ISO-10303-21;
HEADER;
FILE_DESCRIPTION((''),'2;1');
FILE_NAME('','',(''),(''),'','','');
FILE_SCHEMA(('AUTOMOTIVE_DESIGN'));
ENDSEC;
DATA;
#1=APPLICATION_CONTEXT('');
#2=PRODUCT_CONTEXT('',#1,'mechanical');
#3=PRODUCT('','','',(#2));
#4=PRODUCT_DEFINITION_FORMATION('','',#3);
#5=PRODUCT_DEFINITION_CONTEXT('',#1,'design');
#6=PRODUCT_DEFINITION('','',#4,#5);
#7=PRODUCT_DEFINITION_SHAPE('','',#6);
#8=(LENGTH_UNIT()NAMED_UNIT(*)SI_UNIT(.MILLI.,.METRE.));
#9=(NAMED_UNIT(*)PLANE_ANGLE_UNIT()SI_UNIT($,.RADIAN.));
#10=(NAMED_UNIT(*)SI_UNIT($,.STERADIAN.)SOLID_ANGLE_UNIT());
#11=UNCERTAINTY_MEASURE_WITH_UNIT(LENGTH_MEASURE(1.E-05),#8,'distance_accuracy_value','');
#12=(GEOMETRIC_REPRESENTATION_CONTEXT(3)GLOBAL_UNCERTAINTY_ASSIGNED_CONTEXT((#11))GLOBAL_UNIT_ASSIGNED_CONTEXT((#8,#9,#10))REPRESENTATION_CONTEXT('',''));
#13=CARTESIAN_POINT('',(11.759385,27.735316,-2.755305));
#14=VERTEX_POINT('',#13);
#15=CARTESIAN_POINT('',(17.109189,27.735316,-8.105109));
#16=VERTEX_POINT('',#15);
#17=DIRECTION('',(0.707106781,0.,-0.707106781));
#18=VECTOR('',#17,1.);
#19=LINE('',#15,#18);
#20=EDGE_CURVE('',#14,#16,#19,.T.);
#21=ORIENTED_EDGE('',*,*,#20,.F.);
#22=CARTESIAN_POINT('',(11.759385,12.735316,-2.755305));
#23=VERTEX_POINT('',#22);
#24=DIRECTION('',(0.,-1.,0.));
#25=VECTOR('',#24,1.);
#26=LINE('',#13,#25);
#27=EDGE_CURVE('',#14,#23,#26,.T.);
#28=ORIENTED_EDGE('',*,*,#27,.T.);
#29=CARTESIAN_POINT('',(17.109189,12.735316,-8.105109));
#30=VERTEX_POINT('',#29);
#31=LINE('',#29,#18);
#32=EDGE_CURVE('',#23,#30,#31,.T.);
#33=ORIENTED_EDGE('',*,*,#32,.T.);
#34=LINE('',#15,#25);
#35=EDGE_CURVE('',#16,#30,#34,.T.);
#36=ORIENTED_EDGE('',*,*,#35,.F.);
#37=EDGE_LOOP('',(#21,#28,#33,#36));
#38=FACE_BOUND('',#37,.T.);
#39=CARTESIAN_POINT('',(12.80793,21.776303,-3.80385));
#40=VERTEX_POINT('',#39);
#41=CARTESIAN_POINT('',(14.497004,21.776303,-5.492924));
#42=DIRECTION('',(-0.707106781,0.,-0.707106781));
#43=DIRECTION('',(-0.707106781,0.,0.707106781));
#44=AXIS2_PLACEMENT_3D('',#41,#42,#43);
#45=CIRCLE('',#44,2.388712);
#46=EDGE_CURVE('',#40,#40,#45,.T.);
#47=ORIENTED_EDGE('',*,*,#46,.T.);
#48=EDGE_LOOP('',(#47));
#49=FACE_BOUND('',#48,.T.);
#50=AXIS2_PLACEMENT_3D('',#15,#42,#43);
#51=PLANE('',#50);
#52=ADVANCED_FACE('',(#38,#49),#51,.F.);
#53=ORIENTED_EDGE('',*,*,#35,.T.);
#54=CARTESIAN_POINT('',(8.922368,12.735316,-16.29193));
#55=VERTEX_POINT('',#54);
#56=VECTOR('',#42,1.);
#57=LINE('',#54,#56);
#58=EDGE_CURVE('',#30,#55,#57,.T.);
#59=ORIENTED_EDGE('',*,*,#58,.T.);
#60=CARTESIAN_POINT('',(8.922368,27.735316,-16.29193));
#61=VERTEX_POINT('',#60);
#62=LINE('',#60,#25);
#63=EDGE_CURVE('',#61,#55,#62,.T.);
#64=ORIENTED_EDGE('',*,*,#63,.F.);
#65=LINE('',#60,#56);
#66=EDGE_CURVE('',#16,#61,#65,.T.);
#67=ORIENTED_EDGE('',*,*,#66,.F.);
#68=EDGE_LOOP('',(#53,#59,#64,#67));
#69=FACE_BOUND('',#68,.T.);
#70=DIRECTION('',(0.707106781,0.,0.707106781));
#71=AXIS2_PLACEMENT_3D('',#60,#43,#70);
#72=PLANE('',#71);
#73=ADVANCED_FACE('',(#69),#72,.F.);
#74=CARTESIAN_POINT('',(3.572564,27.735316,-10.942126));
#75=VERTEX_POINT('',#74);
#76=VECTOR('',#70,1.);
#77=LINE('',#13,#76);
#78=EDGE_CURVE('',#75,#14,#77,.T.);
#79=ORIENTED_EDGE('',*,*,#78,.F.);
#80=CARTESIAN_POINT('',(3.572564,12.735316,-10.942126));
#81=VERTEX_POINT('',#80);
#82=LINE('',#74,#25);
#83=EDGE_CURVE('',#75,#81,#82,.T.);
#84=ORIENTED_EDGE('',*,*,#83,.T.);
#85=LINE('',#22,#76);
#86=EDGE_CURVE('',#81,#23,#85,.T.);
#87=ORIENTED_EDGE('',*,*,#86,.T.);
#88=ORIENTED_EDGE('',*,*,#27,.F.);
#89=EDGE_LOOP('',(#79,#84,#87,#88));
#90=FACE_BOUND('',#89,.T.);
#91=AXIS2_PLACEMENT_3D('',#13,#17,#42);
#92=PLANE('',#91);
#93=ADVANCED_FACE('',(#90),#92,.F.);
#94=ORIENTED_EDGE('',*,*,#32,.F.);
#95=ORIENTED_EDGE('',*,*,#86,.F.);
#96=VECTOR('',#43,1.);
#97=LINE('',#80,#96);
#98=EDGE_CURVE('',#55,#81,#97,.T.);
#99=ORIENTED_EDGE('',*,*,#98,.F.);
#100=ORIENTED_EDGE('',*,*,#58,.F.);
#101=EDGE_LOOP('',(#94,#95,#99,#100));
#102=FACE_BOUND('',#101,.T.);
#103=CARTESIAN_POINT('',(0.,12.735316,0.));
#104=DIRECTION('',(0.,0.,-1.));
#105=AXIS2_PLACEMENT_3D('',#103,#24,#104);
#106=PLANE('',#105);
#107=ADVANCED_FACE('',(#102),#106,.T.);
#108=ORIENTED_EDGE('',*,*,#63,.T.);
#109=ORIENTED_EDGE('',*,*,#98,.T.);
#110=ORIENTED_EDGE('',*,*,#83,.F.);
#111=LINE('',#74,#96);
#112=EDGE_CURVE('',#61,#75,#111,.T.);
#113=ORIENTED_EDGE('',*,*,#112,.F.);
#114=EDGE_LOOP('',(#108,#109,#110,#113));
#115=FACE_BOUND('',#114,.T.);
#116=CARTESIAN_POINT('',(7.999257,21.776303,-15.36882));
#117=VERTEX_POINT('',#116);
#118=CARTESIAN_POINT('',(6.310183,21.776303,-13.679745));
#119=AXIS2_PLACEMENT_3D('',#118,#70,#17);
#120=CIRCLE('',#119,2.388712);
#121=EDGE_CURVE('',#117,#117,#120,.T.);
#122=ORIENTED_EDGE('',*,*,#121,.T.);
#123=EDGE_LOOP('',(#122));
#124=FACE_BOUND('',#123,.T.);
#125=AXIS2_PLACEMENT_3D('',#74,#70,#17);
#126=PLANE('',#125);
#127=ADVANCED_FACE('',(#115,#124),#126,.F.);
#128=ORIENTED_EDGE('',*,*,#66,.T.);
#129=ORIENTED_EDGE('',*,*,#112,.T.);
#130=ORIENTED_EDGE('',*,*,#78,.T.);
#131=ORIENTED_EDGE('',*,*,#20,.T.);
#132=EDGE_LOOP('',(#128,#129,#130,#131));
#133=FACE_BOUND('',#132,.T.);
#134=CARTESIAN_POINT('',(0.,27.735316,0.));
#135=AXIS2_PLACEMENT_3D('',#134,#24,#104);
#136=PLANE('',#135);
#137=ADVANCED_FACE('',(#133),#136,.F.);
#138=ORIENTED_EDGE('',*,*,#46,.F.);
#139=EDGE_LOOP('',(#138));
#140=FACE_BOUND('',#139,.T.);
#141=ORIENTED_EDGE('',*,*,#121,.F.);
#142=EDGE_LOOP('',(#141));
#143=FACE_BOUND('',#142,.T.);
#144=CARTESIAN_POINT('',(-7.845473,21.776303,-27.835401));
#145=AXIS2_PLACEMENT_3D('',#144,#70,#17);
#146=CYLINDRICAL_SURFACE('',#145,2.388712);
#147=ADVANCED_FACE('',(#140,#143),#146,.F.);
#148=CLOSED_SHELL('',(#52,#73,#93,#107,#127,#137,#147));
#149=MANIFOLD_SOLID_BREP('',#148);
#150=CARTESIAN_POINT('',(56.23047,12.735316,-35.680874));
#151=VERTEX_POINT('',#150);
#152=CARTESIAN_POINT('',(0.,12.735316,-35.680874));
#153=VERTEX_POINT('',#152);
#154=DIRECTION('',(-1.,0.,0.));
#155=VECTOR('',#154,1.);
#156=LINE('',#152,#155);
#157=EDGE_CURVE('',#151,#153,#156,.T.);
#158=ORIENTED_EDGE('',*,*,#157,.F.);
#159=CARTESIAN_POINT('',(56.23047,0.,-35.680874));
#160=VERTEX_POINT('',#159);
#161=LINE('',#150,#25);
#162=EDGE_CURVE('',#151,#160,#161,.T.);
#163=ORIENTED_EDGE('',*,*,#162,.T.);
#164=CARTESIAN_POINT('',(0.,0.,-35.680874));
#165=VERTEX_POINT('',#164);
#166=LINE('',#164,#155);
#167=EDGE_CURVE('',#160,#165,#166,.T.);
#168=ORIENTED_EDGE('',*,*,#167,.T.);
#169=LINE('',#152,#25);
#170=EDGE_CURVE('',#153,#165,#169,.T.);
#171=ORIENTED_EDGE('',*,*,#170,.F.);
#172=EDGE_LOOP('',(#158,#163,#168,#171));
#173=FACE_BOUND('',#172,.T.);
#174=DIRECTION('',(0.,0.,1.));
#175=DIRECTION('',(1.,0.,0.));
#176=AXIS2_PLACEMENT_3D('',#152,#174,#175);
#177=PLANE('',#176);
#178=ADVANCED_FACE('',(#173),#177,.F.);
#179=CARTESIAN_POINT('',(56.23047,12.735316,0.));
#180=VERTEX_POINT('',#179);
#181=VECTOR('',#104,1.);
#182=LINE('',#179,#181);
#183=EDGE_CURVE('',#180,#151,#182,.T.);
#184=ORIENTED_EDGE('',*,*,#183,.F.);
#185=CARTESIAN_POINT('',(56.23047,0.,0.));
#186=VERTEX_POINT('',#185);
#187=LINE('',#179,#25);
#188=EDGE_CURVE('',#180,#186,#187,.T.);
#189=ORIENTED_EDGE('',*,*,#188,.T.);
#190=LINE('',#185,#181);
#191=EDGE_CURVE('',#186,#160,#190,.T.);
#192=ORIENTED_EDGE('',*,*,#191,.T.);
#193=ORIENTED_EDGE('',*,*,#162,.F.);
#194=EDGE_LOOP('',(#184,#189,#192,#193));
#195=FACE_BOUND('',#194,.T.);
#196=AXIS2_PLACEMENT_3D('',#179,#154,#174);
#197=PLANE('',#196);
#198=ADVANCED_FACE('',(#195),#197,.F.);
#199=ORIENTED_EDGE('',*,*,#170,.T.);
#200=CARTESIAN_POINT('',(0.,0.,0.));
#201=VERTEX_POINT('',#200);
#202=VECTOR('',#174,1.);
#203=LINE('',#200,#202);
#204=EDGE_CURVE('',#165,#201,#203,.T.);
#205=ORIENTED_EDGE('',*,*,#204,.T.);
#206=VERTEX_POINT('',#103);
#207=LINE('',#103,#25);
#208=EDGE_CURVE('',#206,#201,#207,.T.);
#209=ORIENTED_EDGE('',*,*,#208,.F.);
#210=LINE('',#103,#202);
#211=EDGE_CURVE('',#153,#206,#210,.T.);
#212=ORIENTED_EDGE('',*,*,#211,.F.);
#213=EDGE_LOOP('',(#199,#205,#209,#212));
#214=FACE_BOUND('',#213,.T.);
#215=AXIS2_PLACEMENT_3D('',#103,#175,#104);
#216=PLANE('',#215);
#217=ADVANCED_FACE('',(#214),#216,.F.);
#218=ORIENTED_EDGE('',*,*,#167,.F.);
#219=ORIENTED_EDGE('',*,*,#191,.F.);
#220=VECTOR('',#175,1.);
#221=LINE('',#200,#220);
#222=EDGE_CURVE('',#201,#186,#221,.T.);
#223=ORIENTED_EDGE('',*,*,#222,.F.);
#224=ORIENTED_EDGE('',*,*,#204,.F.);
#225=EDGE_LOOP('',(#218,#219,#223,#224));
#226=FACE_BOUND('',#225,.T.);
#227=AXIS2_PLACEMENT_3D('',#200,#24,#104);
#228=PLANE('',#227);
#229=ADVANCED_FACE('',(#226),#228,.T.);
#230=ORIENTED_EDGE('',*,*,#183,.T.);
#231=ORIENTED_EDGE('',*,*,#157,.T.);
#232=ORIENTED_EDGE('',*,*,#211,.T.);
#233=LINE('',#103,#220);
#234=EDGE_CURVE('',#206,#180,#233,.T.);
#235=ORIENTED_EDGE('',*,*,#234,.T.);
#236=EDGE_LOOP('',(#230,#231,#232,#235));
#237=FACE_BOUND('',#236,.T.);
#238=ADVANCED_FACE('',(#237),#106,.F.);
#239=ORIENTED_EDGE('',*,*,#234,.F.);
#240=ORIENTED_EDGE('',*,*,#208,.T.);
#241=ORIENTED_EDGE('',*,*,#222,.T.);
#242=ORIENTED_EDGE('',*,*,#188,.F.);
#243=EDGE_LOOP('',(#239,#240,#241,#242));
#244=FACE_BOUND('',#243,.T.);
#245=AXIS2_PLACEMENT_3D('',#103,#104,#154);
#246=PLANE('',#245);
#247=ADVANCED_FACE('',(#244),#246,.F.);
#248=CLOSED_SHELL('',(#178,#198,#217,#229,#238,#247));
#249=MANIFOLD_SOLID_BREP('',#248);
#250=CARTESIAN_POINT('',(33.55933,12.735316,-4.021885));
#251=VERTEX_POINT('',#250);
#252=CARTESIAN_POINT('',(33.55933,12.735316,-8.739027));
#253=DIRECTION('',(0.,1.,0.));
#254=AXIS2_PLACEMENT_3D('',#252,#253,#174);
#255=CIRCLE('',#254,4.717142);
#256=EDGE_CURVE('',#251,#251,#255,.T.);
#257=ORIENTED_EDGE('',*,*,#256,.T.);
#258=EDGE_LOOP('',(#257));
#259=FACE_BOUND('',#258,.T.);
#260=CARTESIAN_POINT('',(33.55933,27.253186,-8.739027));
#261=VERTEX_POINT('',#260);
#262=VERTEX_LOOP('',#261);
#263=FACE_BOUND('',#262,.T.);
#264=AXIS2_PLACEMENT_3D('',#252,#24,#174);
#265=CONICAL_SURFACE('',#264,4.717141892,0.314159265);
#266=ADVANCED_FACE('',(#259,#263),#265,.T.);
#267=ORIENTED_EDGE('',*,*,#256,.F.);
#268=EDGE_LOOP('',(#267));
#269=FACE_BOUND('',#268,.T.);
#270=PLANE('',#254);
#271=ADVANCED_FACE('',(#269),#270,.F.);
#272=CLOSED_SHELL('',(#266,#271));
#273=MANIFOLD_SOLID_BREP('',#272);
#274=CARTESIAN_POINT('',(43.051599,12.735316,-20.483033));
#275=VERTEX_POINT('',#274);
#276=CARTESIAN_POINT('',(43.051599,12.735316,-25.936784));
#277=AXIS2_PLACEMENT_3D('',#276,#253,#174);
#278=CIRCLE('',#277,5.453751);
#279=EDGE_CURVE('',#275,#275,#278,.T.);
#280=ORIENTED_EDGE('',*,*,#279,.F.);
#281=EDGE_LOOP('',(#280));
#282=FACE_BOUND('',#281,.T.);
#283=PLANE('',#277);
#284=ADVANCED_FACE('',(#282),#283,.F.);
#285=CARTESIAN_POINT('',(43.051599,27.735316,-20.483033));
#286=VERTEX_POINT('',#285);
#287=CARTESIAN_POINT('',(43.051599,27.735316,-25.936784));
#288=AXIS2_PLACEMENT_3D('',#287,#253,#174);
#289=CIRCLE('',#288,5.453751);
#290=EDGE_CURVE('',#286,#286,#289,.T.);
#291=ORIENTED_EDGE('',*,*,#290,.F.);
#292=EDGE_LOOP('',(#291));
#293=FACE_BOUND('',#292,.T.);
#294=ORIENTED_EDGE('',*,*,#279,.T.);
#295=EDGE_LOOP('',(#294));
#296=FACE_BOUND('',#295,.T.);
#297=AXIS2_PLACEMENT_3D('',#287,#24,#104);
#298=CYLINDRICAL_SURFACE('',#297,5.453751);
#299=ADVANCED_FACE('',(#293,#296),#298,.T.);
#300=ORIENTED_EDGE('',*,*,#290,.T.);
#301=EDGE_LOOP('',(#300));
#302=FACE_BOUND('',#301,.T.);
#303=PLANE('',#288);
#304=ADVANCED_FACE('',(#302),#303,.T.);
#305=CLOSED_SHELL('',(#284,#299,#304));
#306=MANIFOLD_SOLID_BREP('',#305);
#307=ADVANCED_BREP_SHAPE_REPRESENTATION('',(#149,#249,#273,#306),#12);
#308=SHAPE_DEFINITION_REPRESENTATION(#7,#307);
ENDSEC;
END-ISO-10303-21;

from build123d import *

# Parameters (mm, degrees)
SCHIZZO1_W                    = 56.23046985
SCHIZZO1_H                    = 35.680874005
ESTRUSIONE_ESTRUSIONE1_DEPTH  = 12.735315729
ESTRUSIONE_ESTRUSIONE2_DEPTH  = 15
SCHIZZO3_R                    = 5.453750666
ESTRUSIONE_ESTRUSIONE3_DEPTH  = 15
TAGLIO_ESTRUSIONE1_DEPTH      = 72.131882913
TAGLIO_ESTRUSIONE1_DEPTH_BACK = 72.131882913
SCHIZZO5_R                    = 2.388711944


with BuildPart() as part:
    # Schizzo1 → Estrusione-Estrusione1 (new body)
    with BuildSketch(Plane(origin=(0, 0, 0), x_dir=(1, 0, 0), z_dir=(0, 1, 0))):
        with Locations((28.115234925, 17.840437002)):
            Rectangle(SCHIZZO1_W, SCHIZZO1_H)
    extrude(amount=ESTRUSIONE_ESTRUSIONE1_DEPTH)


with BuildPart() as body_2:
    # Schizzo2 → Estrusione-Estrusione2 (new body)
    with BuildSketch(Plane(origin=(0, 12.735315729, 0), x_dir=(1, 0, 0), z_dir=(0, 1, 0))):
        Polygon((3.572563991, 10.94212636), (8.922368061, 16.29193043), (17.109189441, 8.10510905), (11.759385371, 2.75530498), align=None)
    extrude(amount=ESTRUSIONE_ESTRUSIONE2_DEPTH)

    # Schizzo5 → Taglio-Estrusione1 (cut, two sides: drawn at the far end of the back side and taken through both)
    with BuildSketch(Plane(origin=(4.502040195, 0, 4.502040195), x_dir=(0.7071067811865465, 0, -0.7071067811865487), z_dir=(0.7071067811865487, 0, 0.7071067811865465)).offset(-TAGLIO_ESTRUSIONE1_DEPTH_BACK)):
        with Locations((14.135013801, 21.77630268)):
            Circle(SCHIZZO5_R)
    extrude(amount=TAGLIO_ESTRUSIONE1_DEPTH + TAGLIO_ESTRUSIONE1_DEPTH_BACK, mode=Mode.SUBTRACT)


with BuildPart() as body_3:
    # Schizzo3 → Estrusione-Estrusione3 (new body)
    with BuildSketch(Plane(origin=(0, 12.735315729, 0), x_dir=(1, 0, 0), z_dir=(0, 1, 0))):
        with Locations(Location((43.051598553, 25.936783642, 0), (0, 0, 270))):
            Circle(SCHIZZO3_R)
    extrude(amount=ESTRUSIONE_ESTRUSIONE3_DEPTH)


with BuildPart() as body_4:
    # Estrusione-Estrusione4 cone 1 section (through the dimple's axis) → Estrusione-Estrusione4 (revolve)
    with BuildSketch(Plane(origin=(33.559330079, 12.735315729, -8.739026642), x_dir=(0, 0, -1), z_dir=(1, 0, 0))):
        Polygon((0, 0), (4.717141892, 0), (0, 14.517869944), align=None)
    revolve(axis=Axis((33.559330079, 12.735315729, -8.739026642), (0, 1, 0)))


solid = Compound([part.part, body_2.part, body_3.part, body_4.part])
